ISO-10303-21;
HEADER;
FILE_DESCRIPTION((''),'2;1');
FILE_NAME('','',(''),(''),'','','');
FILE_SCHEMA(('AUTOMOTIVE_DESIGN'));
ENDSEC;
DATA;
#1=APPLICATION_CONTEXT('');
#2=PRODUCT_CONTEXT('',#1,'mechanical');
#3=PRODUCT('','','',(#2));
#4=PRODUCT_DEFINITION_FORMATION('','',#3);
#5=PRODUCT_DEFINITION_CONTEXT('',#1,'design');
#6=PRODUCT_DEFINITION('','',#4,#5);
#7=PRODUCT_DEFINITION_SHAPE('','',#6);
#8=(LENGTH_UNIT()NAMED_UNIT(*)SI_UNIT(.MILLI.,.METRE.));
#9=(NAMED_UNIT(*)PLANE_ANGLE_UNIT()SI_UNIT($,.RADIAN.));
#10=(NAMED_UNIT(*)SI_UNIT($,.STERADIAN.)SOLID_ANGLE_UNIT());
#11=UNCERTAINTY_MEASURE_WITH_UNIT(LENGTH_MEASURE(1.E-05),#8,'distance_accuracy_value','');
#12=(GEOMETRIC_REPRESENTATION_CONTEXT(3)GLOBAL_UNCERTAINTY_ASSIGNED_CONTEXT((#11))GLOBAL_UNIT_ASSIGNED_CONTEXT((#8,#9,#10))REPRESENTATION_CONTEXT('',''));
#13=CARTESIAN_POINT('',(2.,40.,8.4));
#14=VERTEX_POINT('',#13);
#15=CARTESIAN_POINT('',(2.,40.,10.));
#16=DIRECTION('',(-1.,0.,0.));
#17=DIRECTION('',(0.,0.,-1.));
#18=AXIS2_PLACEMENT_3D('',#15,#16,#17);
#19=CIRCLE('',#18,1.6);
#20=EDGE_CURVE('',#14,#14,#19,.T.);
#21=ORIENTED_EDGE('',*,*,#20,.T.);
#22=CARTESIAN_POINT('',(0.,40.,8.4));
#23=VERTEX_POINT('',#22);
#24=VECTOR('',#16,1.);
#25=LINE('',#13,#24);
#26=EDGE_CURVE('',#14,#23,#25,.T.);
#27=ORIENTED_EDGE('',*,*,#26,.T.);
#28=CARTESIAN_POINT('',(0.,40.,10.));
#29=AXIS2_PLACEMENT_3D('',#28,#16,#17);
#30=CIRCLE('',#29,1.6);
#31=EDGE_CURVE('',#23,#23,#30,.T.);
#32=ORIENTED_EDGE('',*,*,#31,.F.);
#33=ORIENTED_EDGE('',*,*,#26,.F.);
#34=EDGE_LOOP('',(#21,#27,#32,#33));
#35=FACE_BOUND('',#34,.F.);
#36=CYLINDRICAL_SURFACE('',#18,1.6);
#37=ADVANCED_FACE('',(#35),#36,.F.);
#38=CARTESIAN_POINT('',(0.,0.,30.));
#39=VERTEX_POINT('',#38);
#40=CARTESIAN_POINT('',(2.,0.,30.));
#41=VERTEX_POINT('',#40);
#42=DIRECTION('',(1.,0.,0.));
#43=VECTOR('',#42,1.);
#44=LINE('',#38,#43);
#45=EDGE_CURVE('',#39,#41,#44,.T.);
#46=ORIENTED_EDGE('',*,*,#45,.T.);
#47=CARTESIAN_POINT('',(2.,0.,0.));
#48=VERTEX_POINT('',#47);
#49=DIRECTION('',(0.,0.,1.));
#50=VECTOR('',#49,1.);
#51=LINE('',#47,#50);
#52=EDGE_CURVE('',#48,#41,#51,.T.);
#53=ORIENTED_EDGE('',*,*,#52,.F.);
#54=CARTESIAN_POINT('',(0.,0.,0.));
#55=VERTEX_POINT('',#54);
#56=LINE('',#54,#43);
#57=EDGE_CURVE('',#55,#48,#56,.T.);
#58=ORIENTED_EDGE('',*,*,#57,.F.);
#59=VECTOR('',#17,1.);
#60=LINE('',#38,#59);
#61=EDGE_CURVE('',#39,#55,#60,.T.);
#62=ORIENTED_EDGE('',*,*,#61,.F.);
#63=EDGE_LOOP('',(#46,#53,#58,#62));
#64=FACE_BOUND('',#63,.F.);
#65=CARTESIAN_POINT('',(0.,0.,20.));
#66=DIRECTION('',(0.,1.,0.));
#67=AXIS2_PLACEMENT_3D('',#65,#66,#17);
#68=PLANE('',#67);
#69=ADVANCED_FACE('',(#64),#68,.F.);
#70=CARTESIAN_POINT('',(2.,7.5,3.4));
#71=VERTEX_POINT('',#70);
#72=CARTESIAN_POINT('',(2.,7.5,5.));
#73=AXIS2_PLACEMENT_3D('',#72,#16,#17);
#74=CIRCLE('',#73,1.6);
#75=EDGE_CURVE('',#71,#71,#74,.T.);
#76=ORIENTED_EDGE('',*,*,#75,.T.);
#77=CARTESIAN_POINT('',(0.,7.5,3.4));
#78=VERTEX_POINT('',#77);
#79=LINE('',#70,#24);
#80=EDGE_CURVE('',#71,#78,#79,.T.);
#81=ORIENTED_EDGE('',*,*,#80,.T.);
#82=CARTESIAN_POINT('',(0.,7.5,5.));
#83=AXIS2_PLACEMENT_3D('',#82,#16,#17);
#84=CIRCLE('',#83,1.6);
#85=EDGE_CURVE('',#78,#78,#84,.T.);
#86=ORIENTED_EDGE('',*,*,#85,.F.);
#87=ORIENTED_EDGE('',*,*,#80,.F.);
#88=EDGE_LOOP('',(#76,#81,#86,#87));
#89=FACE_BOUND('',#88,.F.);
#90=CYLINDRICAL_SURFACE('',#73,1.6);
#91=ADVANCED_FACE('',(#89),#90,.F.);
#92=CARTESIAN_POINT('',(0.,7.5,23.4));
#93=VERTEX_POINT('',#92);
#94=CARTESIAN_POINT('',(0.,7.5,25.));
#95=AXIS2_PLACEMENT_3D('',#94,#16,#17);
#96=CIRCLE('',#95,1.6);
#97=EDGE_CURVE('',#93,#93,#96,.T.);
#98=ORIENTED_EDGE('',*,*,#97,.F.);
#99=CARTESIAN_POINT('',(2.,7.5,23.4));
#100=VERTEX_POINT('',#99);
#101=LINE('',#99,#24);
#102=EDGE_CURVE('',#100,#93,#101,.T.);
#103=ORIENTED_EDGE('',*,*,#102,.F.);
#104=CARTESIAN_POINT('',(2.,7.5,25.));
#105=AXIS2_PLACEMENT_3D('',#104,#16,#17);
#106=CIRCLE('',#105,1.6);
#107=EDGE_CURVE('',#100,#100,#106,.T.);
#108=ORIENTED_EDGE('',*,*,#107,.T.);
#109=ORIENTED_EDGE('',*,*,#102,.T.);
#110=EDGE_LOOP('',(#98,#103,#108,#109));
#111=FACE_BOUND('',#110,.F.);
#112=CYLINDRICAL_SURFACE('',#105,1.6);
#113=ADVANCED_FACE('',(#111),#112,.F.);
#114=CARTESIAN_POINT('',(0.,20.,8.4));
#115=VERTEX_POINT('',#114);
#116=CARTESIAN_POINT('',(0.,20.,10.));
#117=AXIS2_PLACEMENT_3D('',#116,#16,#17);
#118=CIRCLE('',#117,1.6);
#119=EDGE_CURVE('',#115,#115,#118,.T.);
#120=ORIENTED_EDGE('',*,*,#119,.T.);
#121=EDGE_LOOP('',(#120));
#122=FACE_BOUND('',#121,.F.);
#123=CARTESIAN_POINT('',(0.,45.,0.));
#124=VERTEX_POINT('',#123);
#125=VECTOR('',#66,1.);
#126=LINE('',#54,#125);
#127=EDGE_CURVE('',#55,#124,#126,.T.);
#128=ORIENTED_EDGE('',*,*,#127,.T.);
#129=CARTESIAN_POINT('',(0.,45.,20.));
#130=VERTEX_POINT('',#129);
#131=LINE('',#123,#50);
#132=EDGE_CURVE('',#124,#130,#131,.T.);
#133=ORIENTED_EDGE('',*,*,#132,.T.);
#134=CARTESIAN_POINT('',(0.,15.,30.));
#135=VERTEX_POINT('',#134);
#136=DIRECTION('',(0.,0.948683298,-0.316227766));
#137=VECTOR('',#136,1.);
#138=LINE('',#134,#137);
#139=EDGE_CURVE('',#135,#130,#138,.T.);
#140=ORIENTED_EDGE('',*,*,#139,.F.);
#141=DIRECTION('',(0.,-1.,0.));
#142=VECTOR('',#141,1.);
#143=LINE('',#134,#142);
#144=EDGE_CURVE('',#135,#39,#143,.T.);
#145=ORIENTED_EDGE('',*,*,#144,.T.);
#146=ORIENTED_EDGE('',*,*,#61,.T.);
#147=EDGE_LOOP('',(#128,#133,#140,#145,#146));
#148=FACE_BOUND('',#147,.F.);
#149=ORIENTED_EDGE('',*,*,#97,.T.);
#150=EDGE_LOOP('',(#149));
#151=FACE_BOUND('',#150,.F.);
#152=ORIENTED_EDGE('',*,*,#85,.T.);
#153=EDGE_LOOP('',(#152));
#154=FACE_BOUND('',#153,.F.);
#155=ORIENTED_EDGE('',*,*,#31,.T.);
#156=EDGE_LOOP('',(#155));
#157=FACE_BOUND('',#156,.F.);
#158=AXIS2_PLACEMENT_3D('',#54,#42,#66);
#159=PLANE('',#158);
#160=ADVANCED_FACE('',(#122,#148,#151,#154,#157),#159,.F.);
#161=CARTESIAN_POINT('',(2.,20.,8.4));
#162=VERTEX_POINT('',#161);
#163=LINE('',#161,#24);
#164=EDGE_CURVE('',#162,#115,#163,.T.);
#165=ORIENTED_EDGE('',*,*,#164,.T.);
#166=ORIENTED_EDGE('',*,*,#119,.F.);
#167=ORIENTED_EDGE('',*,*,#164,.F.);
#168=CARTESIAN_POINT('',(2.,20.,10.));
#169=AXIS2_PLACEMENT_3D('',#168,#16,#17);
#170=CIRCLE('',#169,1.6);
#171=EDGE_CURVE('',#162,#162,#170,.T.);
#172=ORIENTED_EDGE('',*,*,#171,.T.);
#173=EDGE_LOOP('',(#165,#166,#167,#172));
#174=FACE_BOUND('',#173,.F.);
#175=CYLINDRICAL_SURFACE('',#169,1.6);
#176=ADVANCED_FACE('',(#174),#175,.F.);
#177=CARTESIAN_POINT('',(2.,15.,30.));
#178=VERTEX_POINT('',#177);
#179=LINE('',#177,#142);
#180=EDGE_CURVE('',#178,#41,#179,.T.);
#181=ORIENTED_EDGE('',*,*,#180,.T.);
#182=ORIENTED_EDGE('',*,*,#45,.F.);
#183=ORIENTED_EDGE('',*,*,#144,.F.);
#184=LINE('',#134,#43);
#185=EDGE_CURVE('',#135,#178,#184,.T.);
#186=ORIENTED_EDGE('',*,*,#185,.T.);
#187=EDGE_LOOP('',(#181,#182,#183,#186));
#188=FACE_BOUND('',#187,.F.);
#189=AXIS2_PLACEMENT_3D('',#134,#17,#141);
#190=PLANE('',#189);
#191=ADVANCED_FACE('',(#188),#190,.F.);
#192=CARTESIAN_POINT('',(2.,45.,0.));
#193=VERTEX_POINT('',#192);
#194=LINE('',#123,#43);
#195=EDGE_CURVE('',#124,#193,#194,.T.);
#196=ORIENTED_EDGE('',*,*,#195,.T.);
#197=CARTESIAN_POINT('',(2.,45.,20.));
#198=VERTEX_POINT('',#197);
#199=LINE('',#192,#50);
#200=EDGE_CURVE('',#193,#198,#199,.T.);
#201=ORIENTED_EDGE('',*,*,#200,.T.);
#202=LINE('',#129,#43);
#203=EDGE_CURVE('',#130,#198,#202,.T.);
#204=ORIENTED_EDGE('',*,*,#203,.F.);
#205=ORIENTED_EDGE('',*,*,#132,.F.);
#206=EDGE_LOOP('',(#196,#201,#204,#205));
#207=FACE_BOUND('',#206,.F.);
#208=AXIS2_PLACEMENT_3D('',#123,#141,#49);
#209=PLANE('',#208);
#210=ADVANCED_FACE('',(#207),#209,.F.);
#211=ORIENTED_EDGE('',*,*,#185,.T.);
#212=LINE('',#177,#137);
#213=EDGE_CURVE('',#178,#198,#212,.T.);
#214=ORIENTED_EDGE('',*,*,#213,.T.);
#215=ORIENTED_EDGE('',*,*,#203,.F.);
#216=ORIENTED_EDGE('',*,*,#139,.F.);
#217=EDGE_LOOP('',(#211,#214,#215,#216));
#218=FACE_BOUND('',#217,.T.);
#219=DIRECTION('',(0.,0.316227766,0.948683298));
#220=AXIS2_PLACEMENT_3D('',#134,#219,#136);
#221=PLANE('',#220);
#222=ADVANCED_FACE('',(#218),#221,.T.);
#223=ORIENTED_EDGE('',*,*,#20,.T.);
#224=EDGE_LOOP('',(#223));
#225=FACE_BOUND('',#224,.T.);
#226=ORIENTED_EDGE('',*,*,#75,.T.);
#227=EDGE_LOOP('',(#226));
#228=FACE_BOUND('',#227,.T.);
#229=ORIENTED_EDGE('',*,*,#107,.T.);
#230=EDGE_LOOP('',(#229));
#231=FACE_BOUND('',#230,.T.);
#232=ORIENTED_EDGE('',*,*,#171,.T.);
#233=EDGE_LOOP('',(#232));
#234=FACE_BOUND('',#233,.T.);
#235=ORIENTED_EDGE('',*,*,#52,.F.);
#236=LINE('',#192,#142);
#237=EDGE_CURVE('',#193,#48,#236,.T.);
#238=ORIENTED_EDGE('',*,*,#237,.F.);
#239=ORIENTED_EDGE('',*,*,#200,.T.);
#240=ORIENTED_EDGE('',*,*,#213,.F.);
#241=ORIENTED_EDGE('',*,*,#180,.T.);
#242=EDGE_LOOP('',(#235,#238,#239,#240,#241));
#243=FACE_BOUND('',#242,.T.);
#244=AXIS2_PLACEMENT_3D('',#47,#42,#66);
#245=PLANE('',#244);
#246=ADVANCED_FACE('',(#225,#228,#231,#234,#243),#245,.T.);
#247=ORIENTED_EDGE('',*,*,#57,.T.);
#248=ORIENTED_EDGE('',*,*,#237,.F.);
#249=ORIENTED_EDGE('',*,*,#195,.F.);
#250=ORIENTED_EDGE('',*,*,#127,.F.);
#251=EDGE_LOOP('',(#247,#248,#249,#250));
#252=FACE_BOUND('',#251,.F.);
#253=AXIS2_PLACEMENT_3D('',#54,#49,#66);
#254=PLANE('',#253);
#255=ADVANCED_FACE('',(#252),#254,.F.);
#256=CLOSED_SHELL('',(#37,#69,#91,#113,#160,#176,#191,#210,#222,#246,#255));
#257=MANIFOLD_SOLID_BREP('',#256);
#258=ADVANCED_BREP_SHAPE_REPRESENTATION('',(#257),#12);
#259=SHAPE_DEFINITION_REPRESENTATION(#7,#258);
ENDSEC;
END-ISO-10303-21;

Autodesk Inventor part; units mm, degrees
ref_plane "YZ Plane" through (0, 0, 0) normal (1, 0, 0) x (0, 1, 0)
ref_plane "XZ Plane" through (0, 0, 0) normal (0, 1, 0) x (-1, 0, 0)
ref_plane "XY Plane" through (0, 0, 0) normal (0, 0, 1) x (1, 0, 0)
sketch "スケッチ1" plane through (0, 0, 0) normal (1, 0, 0) x (0, 1, 0)
  line L0 (0, 0) -> (45, 0)
  line L1 (45, 0) -> (45, 20)
  line L2 (45, 20) -> (0, 20) construction
  line L3 (0, 20) -> (0, 0)
  line L4 (0, 0) -> (15, 0)
  line L5 (15, 0) -> (15, 30) construction
  line L6 (15, 30) -> (0, 30)
  line L7 (0, 30) -> (0, 0)
  line L8 (15, 30) -> (45, 20)
  dimension "d0" = 20
  dimension "d1" = 15
  dimension "d2" = 30
  dimension "d3" = 30
extrude "押し出し1" add sketch "スケッチ1" along normal blind 2
sketch "スケッチ2" plane through (2, 0, 0) normal (1, 0, 0) x (0, 0, -1)
  line L0 (-30, 15) -> (-30, 0) projected
  line L1 (-30, 7.5) -> (0, 7.5) construction
  line L2 (0, 0) -> (0, 45) projected
  line L3 (0, 45) -> (-20, 45) projected
  line L4 (-10, 45) -> (-10, 0) construction
  line L5 (-30, 0) -> (0, 0) projected
  point P0 (-25, 7.5)
  point P1 (-5, 7.5)
  point P2 (-10, 20)
  point P3 (-10, 40)
  dimension "d6" = 20
  dimension "d7" = 5
  dimension "d8" = 20
  dimension "d9" = 5
hole "穴1" at (2, 7.5, 25) at (2, 7.5, 5) at (2, 20, 10) at (2, 40, 10) direction (-1, 0, 0) diameter 3.2 end through all
properties part number "FrameJoint1520" material "アルミニウム 6061"
